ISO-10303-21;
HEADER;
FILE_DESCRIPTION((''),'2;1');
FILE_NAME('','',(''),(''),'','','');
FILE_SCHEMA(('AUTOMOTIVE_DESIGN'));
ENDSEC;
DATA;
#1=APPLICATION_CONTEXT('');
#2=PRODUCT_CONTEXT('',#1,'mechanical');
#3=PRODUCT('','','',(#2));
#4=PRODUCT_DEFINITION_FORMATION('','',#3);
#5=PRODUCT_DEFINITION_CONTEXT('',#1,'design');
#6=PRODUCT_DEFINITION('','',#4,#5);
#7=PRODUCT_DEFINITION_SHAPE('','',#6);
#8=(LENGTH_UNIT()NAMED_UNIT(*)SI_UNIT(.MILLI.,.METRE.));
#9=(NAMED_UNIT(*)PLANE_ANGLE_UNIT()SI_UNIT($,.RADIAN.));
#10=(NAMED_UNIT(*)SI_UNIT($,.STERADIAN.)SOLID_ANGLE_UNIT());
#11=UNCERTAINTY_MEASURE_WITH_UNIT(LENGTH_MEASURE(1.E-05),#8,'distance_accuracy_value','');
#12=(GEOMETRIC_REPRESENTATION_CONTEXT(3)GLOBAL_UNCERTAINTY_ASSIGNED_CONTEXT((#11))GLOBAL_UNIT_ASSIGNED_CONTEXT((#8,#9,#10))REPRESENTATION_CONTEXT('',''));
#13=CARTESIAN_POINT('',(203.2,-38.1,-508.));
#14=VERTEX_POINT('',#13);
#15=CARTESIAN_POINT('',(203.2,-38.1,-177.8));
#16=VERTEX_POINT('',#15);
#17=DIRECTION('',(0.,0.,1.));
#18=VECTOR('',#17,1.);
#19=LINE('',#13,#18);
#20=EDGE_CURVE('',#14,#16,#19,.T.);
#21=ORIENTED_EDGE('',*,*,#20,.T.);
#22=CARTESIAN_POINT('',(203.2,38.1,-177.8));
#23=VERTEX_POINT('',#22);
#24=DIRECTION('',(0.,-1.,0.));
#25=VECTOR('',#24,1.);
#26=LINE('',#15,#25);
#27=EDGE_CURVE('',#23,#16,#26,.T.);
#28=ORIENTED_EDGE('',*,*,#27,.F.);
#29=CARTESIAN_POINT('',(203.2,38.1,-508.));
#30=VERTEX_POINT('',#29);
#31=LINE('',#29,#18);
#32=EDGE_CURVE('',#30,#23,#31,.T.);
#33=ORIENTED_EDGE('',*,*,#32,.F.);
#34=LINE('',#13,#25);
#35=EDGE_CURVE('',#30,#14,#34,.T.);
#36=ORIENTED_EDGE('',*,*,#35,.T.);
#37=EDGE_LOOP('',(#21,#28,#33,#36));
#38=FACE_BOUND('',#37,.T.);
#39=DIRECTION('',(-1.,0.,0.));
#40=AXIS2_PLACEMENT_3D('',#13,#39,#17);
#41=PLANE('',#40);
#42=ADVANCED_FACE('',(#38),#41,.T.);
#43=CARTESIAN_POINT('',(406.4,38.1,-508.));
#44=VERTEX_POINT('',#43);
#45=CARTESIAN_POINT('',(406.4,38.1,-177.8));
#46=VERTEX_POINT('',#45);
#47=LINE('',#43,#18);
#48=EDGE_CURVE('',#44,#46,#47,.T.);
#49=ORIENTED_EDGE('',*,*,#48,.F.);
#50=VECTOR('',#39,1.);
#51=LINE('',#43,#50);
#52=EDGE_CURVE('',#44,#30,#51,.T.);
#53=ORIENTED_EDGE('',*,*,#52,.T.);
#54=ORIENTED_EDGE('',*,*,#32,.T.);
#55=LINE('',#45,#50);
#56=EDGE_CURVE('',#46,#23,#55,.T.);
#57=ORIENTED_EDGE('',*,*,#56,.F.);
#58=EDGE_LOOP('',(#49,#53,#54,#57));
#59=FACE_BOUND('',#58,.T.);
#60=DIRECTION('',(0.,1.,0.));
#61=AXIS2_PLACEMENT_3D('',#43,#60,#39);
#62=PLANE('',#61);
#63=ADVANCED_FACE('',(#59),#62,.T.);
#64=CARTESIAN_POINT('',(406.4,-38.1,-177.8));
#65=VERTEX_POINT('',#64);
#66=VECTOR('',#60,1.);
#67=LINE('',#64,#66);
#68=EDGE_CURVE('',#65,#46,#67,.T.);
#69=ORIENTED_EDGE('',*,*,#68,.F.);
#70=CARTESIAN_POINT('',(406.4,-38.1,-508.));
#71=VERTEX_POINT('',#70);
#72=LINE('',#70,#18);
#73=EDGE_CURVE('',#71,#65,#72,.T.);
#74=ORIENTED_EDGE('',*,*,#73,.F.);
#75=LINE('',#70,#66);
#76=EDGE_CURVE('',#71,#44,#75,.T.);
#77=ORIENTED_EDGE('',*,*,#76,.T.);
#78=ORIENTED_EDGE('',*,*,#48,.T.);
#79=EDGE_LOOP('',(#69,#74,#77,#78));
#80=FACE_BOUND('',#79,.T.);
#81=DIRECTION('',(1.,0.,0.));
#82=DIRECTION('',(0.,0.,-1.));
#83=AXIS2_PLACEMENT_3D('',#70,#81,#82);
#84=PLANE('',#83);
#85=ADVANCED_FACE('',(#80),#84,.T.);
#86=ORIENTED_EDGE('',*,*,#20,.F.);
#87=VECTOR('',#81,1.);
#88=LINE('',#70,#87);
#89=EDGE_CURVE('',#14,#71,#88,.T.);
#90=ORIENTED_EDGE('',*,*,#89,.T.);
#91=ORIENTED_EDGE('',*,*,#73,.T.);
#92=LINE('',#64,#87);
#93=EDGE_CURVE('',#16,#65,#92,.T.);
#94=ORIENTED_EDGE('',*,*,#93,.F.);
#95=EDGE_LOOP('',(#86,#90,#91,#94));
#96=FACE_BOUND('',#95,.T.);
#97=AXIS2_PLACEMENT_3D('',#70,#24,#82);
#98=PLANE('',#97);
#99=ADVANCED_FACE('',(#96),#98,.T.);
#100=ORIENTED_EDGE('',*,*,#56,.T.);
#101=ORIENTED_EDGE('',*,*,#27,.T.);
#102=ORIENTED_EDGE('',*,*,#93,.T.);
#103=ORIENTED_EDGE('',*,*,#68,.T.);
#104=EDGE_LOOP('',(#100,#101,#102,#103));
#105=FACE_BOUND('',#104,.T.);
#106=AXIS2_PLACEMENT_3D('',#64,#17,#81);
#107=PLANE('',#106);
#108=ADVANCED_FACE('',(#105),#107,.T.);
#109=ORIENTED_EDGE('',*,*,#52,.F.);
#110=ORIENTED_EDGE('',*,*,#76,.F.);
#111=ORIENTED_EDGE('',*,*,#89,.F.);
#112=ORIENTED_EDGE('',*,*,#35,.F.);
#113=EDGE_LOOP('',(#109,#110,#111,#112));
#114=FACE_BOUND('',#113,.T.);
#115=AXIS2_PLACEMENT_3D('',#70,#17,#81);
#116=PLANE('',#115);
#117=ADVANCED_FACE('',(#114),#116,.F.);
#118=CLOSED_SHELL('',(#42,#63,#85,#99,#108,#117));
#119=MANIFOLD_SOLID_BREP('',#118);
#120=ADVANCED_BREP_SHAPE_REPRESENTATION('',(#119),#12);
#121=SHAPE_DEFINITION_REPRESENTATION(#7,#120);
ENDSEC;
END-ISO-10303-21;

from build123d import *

# Parameters (mm, degrees)
EXTRUDE1_DEPTH      = 25.4
EXTRUDE1_DEPTH_BACK = 304.8
SKETCH1_W           = 203.2
SKETCH1_H           = 76.2


with BuildPart() as part:
    # Sketch1 → Extrude1 (new, two sides: drawn at the far end of the back side and taken through both)
    with BuildSketch(Plane.XY.offset(-203.2).offset(-EXTRUDE1_DEPTH_BACK)):
        with Locations((304.8, 0)):
            Rectangle(SKETCH1_W, SKETCH1_H)
    extrude(amount=EXTRUDE1_DEPTH + EXTRUDE1_DEPTH_BACK)


solid = part.part
